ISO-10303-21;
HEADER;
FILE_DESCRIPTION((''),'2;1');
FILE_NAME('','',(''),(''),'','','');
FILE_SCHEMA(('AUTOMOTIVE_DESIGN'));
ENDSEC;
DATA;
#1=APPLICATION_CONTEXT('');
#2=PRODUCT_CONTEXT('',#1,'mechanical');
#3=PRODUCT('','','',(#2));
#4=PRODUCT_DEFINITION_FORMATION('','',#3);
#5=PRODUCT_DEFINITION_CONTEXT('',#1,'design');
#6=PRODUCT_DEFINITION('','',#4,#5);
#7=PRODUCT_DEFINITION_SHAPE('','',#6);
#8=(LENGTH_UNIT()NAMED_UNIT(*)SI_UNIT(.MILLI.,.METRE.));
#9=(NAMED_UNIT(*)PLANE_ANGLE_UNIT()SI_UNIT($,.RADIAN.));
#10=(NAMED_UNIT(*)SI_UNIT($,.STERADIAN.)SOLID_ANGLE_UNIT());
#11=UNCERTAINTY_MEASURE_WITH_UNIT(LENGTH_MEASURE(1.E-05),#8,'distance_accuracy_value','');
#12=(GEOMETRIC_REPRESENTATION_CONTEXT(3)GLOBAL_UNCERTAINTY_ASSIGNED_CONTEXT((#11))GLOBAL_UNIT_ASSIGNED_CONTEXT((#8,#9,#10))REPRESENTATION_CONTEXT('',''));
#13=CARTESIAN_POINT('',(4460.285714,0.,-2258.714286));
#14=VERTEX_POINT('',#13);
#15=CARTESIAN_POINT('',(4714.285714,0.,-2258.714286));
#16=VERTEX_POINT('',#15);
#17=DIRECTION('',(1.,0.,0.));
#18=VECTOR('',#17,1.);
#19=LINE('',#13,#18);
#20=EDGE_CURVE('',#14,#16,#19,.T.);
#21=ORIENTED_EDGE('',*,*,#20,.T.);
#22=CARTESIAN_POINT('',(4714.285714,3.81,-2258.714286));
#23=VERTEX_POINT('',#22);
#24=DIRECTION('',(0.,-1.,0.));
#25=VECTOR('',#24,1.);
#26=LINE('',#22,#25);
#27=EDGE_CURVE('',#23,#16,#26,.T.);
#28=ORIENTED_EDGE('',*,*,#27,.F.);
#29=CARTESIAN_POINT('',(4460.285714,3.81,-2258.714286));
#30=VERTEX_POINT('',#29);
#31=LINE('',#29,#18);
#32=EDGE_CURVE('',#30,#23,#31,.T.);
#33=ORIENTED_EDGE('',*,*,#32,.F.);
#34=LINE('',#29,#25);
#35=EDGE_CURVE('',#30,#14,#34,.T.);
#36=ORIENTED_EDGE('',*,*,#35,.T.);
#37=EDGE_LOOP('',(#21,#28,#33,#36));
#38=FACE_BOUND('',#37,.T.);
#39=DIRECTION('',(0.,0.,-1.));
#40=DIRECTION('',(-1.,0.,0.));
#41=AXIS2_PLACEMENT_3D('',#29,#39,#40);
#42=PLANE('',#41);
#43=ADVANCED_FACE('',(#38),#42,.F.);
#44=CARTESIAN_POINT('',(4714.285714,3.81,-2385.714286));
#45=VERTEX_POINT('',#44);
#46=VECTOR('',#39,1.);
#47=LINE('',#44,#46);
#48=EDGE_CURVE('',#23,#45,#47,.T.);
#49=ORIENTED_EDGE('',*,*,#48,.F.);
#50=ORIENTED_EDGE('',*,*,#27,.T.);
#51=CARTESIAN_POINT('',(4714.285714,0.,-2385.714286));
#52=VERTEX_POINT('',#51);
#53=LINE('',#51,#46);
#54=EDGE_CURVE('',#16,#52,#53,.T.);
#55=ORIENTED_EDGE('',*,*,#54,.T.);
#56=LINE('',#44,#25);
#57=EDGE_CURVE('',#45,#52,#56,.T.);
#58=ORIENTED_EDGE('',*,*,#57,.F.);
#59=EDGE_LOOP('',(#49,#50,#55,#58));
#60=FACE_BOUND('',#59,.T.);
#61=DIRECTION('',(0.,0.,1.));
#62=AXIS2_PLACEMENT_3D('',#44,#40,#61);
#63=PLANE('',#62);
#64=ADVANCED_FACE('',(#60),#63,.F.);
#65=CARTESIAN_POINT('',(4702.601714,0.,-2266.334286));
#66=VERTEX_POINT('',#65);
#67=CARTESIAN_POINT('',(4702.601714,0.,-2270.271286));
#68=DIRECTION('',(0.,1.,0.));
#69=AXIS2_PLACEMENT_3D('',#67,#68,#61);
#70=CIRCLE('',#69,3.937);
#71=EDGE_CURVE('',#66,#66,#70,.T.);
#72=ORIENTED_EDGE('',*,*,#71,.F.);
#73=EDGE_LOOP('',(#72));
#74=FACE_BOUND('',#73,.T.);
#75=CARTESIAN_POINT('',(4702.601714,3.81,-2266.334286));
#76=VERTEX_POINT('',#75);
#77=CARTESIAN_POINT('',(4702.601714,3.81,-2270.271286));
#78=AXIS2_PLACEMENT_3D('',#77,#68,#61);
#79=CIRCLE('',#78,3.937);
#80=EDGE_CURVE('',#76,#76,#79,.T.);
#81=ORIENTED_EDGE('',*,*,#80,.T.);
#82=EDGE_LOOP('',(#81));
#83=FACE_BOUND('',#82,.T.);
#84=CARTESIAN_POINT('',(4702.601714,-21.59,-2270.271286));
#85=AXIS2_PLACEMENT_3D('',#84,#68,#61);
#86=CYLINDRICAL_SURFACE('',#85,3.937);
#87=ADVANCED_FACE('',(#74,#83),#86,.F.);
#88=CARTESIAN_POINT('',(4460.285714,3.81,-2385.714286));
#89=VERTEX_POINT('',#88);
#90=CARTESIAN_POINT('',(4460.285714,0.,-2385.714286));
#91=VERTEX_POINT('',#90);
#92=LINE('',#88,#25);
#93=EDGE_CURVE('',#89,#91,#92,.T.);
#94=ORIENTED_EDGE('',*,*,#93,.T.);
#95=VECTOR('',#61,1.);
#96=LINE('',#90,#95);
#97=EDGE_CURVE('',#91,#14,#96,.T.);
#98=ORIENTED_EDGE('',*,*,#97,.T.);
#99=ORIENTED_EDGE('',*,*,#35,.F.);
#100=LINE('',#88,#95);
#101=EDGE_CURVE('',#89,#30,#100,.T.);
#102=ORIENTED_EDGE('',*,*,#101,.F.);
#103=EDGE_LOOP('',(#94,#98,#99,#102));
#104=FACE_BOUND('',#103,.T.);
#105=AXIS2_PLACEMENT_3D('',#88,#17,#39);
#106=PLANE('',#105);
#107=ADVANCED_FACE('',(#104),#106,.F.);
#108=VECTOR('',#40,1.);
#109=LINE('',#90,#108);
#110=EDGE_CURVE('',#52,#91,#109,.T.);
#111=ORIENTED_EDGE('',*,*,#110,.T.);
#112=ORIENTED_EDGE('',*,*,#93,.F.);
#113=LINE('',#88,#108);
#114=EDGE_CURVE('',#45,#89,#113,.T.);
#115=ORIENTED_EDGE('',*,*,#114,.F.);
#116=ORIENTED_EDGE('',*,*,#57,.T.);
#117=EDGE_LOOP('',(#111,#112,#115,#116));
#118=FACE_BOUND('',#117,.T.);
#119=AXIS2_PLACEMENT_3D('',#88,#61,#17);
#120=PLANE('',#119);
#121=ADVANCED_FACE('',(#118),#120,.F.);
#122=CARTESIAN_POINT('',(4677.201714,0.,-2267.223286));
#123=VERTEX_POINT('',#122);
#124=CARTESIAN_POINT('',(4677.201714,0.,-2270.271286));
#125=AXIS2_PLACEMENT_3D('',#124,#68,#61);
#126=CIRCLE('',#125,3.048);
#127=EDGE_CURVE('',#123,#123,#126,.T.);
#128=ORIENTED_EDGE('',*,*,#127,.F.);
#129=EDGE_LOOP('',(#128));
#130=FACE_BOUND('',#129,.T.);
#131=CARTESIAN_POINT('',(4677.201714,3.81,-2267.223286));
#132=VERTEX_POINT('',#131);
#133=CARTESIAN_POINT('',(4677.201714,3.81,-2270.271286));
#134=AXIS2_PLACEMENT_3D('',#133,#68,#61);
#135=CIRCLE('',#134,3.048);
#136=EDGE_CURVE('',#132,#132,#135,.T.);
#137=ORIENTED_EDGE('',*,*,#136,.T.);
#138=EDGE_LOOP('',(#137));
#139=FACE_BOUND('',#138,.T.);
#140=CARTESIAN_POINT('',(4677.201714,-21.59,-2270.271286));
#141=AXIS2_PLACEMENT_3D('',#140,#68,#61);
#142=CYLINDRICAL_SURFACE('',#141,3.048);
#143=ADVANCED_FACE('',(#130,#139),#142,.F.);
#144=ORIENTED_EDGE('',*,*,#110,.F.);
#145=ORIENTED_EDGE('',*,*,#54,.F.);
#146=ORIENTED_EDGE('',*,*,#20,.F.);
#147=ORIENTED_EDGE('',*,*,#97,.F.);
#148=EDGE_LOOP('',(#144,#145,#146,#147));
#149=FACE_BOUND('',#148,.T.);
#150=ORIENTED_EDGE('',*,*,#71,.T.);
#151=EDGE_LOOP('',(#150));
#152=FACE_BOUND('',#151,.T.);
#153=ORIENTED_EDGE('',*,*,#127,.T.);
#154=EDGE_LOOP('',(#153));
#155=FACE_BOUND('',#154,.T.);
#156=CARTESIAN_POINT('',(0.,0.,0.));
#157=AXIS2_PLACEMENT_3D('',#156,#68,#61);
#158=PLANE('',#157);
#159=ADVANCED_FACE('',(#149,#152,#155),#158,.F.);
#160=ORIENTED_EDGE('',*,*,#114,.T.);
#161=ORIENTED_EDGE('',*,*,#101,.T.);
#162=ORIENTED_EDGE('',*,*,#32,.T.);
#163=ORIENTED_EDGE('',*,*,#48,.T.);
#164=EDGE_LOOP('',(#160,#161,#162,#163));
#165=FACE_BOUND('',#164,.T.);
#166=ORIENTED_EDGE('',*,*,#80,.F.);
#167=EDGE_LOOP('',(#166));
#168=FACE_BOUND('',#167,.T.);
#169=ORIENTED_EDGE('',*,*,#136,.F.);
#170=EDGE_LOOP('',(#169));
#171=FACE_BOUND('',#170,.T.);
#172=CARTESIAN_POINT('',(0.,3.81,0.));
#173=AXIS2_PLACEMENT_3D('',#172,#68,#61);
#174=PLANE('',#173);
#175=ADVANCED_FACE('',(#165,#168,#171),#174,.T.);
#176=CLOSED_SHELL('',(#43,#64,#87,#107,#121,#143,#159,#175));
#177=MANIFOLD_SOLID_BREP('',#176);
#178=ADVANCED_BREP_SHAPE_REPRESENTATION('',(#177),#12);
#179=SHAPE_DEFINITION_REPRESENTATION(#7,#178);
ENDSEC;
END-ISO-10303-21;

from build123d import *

# Parameters (mm, degrees)
SKETCH1_W           = 254
SKETCH1_H           = 127
BOSS_EXTRUDE1_DEPTH = 3.81
SKETCH2_R           = 3.048
SKETCH2_R_2         = 3.937
CUT_EXTRUDE1_DEPTH  = 25.4


with BuildPart() as part:
    # Sketch1 → Boss-Extrude1 (new body)
    with BuildSketch(Plane(origin=(0, 0, 0), x_dir=(1, 0, 0), z_dir=(0, 1, 0))):
        with Locations((4587.285714286, 2322.214285714)):
            Rectangle(SKETCH1_W, SKETCH1_H)
    extrude(amount=BOSS_EXTRUDE1_DEPTH)

    # Sketch2 → Cut-Extrude1 (cut)
    with BuildSketch(Plane(origin=(0, 3.81, 0), x_dir=(1, 0, 0), z_dir=(0, 1, 0))):
        with Locations((4677.201714286, 2270.271285714)):
            Circle(SKETCH2_R)
        with Locations((4702.601714286, 2270.271285714)):
            Circle(SKETCH2_R_2)
    extrude(amount=-CUT_EXTRUDE1_DEPTH, mode=Mode.SUBTRACT)


solid = part.part
